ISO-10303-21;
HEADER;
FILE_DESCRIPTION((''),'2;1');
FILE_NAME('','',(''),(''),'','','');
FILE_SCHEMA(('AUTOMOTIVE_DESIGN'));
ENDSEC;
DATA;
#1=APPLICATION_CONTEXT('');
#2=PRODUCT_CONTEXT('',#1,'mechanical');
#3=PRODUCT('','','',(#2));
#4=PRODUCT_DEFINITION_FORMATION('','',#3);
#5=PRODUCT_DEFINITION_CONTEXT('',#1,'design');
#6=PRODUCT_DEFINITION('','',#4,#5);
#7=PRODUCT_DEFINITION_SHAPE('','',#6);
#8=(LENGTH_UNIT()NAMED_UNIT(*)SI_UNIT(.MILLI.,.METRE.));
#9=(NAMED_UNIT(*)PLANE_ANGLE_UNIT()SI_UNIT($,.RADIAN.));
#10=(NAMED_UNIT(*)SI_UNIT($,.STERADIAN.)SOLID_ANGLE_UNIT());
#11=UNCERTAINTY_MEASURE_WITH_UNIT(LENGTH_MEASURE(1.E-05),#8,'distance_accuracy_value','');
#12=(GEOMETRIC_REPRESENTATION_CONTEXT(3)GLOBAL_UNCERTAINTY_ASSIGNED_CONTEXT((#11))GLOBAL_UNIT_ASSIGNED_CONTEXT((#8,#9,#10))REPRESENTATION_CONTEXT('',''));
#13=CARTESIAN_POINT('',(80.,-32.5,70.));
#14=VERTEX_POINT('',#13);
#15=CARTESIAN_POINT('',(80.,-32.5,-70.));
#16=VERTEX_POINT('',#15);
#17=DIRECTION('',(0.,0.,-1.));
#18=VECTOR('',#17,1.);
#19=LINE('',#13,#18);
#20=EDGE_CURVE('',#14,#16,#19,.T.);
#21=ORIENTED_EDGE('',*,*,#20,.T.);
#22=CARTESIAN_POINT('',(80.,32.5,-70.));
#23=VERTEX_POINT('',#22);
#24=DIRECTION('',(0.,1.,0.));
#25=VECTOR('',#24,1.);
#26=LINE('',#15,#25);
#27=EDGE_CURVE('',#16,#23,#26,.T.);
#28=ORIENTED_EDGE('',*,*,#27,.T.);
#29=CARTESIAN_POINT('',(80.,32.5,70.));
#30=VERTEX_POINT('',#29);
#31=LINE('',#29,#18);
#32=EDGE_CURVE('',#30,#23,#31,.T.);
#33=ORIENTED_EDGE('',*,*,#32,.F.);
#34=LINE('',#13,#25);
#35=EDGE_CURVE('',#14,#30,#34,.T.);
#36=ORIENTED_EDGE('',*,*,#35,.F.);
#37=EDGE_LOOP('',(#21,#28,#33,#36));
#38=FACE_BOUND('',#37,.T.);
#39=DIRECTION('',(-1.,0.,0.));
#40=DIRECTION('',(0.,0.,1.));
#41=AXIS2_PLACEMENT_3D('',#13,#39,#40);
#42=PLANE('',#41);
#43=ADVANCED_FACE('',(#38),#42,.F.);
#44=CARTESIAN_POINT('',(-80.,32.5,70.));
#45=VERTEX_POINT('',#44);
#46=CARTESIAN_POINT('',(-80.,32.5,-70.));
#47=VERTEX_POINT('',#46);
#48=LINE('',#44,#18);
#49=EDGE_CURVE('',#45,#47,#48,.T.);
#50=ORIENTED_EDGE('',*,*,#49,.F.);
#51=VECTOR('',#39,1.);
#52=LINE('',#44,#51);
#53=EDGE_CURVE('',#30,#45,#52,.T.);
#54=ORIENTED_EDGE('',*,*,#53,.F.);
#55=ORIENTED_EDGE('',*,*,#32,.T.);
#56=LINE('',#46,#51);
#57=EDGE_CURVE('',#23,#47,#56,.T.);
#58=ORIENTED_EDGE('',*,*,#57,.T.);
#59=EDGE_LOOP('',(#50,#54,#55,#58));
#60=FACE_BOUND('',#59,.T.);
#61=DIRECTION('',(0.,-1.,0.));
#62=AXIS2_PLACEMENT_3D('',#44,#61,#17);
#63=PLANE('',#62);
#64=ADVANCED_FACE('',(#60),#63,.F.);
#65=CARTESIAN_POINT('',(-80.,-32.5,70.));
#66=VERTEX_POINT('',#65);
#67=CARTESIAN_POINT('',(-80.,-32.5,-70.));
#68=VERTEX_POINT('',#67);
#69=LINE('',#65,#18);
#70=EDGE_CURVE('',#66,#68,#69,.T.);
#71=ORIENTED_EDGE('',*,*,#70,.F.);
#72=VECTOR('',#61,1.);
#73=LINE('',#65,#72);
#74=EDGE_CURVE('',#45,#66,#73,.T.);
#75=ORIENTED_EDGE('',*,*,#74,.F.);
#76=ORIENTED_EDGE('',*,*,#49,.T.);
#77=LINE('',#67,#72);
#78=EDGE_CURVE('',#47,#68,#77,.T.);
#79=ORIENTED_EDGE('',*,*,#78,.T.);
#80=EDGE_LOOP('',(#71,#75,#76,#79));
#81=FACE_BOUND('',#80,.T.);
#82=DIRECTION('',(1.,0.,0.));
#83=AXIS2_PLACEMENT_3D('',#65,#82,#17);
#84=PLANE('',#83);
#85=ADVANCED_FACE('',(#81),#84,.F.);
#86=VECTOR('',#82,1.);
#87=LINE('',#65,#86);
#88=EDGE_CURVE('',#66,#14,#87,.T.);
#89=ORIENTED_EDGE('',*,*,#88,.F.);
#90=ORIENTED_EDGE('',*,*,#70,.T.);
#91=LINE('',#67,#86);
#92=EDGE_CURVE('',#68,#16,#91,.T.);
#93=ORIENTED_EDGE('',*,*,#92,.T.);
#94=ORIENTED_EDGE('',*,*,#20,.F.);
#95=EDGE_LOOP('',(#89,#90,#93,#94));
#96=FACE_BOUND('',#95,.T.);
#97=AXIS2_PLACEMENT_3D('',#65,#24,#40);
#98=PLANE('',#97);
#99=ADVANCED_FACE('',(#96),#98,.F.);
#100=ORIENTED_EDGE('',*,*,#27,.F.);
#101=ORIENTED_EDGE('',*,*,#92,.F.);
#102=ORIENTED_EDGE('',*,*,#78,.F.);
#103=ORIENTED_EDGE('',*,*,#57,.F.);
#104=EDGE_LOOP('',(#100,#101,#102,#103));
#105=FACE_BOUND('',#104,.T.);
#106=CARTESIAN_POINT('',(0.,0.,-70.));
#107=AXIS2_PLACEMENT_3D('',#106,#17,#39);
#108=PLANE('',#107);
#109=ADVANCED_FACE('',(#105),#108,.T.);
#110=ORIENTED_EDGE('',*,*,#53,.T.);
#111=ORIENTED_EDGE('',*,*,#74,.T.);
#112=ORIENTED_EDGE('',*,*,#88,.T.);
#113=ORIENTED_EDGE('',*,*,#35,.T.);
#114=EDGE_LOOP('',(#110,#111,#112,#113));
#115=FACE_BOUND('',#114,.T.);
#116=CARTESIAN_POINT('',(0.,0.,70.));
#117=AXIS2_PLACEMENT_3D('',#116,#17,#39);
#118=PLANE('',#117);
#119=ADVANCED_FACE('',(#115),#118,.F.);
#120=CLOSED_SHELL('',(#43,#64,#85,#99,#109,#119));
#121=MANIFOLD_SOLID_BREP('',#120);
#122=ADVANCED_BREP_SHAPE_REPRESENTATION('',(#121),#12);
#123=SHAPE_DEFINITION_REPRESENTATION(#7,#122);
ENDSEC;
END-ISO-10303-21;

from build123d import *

# Parameters (mm, degrees)
SKETCH1_W           = 160.00000004
SKETCH1_H           = 65.000000048
BOSS_EXTRUDE1_DEPTH = 69.999999954


with BuildPart() as part:
    # Sketch1 → Boss-Extrude1 (new, symmetric)
    with BuildSketch(Plane.XY):
        Rectangle(SKETCH1_W, SKETCH1_H)
    extrude(amount=BOSS_EXTRUDE1_DEPTH, both=True)


solid = part.part
